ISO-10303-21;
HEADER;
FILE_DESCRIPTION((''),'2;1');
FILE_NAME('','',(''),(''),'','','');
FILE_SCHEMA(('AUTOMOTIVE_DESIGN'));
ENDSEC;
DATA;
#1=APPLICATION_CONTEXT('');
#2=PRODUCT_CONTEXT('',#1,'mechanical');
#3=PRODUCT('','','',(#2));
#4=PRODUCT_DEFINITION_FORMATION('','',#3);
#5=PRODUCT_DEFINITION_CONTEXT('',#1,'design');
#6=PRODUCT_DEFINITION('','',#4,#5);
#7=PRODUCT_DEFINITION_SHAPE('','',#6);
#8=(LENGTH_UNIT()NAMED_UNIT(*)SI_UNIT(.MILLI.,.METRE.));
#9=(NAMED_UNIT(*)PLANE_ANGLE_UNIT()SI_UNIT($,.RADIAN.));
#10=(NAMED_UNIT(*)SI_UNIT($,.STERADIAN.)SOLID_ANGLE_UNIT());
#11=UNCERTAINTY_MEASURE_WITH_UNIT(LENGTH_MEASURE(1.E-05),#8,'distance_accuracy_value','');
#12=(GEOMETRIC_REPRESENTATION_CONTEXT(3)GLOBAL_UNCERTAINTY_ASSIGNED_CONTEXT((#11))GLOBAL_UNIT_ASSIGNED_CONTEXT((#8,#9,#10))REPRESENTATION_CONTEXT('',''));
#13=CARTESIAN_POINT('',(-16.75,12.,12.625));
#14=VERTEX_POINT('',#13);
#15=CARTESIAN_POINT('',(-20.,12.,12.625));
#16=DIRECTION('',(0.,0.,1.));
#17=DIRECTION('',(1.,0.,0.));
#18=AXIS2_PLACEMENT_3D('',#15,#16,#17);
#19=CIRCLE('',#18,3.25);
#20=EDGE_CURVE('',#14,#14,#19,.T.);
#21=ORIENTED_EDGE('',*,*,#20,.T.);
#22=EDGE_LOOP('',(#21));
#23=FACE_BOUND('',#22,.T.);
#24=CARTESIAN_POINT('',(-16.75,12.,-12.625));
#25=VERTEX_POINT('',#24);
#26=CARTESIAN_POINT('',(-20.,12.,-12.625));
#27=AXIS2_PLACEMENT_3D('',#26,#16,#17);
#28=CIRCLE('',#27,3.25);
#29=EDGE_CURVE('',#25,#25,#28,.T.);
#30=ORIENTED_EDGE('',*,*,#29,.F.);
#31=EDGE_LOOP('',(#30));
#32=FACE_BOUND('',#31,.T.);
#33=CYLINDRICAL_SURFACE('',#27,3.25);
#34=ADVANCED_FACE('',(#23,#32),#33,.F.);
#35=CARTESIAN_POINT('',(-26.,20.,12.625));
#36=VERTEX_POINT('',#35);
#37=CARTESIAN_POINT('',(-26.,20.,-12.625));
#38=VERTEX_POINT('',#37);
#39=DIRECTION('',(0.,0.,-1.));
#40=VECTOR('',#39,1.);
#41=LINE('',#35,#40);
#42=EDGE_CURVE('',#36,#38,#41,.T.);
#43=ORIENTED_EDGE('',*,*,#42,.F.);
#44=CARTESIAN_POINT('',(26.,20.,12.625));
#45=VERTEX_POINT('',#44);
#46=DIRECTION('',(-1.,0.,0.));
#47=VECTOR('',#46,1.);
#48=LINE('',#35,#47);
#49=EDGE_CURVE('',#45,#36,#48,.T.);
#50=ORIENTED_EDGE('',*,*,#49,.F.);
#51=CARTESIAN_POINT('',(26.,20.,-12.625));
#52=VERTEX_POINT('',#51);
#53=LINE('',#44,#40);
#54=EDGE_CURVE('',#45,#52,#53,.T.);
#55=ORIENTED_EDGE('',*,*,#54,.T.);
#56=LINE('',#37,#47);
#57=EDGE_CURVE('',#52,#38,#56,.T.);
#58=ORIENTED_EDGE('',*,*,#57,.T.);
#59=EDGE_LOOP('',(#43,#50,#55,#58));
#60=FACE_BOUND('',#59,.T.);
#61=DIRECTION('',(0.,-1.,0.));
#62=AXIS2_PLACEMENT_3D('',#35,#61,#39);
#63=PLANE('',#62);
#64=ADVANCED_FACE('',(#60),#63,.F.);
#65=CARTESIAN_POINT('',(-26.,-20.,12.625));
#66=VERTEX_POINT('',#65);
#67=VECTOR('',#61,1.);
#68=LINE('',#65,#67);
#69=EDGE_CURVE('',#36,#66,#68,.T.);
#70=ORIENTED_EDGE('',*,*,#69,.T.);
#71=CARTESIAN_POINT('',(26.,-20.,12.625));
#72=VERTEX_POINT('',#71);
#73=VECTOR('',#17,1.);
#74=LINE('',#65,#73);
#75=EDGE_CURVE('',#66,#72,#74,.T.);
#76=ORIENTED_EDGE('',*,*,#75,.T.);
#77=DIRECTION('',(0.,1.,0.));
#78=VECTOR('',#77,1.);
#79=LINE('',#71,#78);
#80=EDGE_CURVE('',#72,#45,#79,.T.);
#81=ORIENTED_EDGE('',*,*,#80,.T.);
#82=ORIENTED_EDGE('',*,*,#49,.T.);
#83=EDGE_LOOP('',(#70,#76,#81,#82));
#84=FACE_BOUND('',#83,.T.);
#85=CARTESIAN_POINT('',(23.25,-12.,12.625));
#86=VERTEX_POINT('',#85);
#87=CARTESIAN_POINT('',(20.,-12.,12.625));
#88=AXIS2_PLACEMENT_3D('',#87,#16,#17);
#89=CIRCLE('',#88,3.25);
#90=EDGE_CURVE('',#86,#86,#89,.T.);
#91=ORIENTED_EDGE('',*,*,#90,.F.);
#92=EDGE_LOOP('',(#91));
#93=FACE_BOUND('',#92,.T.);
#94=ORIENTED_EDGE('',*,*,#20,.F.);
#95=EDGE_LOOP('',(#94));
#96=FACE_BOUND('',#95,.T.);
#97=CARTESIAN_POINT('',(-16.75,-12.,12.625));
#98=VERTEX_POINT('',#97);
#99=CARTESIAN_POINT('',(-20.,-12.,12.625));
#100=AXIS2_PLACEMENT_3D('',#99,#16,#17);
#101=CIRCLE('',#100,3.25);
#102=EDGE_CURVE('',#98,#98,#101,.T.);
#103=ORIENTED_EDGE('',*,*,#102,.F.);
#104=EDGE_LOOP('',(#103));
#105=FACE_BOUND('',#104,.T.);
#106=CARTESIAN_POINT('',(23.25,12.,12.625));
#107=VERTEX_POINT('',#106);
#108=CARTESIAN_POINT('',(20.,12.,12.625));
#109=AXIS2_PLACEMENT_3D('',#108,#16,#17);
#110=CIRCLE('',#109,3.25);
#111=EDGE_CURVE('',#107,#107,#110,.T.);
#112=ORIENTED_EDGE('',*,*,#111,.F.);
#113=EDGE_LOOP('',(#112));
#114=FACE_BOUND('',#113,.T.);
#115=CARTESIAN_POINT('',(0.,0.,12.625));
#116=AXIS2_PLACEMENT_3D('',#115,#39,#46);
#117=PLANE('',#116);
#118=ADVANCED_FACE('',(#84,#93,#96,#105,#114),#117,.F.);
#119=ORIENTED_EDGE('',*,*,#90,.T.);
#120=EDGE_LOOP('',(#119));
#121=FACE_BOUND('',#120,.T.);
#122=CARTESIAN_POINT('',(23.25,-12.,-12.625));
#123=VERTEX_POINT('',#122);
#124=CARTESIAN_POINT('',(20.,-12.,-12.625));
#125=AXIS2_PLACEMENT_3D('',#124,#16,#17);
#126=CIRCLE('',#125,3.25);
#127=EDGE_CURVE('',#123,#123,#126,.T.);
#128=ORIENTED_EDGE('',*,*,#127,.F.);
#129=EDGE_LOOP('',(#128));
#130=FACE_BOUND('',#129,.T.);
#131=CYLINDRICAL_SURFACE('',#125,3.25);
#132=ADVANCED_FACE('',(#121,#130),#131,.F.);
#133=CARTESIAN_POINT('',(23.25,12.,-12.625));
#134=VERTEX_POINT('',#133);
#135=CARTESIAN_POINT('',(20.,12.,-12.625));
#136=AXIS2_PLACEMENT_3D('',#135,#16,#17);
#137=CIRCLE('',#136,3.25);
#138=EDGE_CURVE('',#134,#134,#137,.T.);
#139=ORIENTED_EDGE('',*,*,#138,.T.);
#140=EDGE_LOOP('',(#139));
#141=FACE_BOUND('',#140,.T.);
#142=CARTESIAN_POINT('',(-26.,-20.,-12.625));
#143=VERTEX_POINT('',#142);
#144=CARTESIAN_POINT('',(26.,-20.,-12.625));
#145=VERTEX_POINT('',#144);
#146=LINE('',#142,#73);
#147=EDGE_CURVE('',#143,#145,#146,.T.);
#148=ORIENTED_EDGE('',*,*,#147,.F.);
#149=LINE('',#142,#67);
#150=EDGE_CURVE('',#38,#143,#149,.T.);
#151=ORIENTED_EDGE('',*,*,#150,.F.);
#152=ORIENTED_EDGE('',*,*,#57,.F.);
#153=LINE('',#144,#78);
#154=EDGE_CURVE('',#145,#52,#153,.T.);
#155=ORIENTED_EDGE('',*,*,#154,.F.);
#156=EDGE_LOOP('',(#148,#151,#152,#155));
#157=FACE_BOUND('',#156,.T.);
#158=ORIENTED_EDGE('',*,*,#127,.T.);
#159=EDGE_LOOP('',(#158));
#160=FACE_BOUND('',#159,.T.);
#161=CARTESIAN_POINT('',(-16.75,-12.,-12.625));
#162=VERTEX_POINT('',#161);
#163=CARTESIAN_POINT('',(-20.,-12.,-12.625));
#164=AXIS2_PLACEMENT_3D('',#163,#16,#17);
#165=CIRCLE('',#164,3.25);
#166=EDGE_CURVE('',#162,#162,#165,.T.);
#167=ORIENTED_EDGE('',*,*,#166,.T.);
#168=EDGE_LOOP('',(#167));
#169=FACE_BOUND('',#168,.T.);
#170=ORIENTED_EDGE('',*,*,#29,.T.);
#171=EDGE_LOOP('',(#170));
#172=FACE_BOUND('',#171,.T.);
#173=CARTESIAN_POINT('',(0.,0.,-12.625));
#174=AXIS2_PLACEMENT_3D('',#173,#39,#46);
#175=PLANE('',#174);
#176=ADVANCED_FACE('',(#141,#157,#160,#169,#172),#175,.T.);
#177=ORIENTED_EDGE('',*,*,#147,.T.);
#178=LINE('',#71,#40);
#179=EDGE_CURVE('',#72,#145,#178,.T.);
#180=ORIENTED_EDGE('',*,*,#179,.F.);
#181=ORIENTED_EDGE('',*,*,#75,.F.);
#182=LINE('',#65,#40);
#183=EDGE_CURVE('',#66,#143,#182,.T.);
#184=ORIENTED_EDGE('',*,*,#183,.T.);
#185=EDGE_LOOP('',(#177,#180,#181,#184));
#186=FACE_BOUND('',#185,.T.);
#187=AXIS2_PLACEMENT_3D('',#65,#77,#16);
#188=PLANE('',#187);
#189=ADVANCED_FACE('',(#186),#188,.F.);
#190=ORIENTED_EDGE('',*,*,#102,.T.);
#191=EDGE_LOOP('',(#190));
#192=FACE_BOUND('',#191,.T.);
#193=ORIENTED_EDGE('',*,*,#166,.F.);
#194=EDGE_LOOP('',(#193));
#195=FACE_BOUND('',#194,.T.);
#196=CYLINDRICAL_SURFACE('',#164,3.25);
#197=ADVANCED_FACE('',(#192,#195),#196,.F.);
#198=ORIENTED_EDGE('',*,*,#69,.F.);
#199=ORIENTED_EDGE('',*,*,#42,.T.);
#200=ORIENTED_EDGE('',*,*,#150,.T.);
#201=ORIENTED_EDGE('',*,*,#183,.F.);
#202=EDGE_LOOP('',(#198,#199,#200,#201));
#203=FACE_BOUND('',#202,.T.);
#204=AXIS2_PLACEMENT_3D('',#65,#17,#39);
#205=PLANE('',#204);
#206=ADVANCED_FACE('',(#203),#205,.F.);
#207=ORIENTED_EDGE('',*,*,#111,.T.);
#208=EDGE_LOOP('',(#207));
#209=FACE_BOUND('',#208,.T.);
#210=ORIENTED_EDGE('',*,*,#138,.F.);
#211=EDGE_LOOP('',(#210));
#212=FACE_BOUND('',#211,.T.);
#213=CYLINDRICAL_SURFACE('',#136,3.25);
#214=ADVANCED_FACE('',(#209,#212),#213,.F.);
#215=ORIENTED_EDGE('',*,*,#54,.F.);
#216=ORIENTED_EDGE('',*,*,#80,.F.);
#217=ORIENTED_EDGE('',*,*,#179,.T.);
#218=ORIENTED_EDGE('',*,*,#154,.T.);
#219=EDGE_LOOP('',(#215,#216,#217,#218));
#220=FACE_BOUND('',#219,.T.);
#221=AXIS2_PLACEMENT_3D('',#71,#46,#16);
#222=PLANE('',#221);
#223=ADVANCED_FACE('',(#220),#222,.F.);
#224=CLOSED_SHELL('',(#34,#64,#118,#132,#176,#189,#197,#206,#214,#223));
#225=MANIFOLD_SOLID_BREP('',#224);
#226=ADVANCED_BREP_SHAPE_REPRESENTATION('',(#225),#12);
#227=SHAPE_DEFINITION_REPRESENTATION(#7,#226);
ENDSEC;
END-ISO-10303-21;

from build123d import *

# Parameters (mm, degrees)
SKETCH1_W           = 52
SKETCH1_H           = 40
BOSS_EXTRUDE1_DEPTH = 12.625
SKETCH2_R           = 3.25
CUT_EXTRUDE1_DEPTH  = 42.395198997


with BuildPart() as part:
    # Sketch1 → Boss-Extrude1 (new, symmetric)
    with BuildSketch(Plane.XY):
        Rectangle(SKETCH1_W, SKETCH1_H)
    extrude(amount=BOSS_EXTRUDE1_DEPTH, both=True)

    # Sketch2 → Cut-Extrude1 (cut, through all)
    with BuildSketch(Plane.XY.offset(12.625)):
        with Locations((-20, 12)):
            Circle(SKETCH2_R)
        with Locations((20, 12)):
            Circle(SKETCH2_R)
        with Locations((-20, -12)):
            Circle(SKETCH2_R)
        with Locations((20, -12)):
            Circle(SKETCH2_R)
    extrude(amount=-CUT_EXTRUDE1_DEPTH, mode=Mode.SUBTRACT)


solid = part.part
